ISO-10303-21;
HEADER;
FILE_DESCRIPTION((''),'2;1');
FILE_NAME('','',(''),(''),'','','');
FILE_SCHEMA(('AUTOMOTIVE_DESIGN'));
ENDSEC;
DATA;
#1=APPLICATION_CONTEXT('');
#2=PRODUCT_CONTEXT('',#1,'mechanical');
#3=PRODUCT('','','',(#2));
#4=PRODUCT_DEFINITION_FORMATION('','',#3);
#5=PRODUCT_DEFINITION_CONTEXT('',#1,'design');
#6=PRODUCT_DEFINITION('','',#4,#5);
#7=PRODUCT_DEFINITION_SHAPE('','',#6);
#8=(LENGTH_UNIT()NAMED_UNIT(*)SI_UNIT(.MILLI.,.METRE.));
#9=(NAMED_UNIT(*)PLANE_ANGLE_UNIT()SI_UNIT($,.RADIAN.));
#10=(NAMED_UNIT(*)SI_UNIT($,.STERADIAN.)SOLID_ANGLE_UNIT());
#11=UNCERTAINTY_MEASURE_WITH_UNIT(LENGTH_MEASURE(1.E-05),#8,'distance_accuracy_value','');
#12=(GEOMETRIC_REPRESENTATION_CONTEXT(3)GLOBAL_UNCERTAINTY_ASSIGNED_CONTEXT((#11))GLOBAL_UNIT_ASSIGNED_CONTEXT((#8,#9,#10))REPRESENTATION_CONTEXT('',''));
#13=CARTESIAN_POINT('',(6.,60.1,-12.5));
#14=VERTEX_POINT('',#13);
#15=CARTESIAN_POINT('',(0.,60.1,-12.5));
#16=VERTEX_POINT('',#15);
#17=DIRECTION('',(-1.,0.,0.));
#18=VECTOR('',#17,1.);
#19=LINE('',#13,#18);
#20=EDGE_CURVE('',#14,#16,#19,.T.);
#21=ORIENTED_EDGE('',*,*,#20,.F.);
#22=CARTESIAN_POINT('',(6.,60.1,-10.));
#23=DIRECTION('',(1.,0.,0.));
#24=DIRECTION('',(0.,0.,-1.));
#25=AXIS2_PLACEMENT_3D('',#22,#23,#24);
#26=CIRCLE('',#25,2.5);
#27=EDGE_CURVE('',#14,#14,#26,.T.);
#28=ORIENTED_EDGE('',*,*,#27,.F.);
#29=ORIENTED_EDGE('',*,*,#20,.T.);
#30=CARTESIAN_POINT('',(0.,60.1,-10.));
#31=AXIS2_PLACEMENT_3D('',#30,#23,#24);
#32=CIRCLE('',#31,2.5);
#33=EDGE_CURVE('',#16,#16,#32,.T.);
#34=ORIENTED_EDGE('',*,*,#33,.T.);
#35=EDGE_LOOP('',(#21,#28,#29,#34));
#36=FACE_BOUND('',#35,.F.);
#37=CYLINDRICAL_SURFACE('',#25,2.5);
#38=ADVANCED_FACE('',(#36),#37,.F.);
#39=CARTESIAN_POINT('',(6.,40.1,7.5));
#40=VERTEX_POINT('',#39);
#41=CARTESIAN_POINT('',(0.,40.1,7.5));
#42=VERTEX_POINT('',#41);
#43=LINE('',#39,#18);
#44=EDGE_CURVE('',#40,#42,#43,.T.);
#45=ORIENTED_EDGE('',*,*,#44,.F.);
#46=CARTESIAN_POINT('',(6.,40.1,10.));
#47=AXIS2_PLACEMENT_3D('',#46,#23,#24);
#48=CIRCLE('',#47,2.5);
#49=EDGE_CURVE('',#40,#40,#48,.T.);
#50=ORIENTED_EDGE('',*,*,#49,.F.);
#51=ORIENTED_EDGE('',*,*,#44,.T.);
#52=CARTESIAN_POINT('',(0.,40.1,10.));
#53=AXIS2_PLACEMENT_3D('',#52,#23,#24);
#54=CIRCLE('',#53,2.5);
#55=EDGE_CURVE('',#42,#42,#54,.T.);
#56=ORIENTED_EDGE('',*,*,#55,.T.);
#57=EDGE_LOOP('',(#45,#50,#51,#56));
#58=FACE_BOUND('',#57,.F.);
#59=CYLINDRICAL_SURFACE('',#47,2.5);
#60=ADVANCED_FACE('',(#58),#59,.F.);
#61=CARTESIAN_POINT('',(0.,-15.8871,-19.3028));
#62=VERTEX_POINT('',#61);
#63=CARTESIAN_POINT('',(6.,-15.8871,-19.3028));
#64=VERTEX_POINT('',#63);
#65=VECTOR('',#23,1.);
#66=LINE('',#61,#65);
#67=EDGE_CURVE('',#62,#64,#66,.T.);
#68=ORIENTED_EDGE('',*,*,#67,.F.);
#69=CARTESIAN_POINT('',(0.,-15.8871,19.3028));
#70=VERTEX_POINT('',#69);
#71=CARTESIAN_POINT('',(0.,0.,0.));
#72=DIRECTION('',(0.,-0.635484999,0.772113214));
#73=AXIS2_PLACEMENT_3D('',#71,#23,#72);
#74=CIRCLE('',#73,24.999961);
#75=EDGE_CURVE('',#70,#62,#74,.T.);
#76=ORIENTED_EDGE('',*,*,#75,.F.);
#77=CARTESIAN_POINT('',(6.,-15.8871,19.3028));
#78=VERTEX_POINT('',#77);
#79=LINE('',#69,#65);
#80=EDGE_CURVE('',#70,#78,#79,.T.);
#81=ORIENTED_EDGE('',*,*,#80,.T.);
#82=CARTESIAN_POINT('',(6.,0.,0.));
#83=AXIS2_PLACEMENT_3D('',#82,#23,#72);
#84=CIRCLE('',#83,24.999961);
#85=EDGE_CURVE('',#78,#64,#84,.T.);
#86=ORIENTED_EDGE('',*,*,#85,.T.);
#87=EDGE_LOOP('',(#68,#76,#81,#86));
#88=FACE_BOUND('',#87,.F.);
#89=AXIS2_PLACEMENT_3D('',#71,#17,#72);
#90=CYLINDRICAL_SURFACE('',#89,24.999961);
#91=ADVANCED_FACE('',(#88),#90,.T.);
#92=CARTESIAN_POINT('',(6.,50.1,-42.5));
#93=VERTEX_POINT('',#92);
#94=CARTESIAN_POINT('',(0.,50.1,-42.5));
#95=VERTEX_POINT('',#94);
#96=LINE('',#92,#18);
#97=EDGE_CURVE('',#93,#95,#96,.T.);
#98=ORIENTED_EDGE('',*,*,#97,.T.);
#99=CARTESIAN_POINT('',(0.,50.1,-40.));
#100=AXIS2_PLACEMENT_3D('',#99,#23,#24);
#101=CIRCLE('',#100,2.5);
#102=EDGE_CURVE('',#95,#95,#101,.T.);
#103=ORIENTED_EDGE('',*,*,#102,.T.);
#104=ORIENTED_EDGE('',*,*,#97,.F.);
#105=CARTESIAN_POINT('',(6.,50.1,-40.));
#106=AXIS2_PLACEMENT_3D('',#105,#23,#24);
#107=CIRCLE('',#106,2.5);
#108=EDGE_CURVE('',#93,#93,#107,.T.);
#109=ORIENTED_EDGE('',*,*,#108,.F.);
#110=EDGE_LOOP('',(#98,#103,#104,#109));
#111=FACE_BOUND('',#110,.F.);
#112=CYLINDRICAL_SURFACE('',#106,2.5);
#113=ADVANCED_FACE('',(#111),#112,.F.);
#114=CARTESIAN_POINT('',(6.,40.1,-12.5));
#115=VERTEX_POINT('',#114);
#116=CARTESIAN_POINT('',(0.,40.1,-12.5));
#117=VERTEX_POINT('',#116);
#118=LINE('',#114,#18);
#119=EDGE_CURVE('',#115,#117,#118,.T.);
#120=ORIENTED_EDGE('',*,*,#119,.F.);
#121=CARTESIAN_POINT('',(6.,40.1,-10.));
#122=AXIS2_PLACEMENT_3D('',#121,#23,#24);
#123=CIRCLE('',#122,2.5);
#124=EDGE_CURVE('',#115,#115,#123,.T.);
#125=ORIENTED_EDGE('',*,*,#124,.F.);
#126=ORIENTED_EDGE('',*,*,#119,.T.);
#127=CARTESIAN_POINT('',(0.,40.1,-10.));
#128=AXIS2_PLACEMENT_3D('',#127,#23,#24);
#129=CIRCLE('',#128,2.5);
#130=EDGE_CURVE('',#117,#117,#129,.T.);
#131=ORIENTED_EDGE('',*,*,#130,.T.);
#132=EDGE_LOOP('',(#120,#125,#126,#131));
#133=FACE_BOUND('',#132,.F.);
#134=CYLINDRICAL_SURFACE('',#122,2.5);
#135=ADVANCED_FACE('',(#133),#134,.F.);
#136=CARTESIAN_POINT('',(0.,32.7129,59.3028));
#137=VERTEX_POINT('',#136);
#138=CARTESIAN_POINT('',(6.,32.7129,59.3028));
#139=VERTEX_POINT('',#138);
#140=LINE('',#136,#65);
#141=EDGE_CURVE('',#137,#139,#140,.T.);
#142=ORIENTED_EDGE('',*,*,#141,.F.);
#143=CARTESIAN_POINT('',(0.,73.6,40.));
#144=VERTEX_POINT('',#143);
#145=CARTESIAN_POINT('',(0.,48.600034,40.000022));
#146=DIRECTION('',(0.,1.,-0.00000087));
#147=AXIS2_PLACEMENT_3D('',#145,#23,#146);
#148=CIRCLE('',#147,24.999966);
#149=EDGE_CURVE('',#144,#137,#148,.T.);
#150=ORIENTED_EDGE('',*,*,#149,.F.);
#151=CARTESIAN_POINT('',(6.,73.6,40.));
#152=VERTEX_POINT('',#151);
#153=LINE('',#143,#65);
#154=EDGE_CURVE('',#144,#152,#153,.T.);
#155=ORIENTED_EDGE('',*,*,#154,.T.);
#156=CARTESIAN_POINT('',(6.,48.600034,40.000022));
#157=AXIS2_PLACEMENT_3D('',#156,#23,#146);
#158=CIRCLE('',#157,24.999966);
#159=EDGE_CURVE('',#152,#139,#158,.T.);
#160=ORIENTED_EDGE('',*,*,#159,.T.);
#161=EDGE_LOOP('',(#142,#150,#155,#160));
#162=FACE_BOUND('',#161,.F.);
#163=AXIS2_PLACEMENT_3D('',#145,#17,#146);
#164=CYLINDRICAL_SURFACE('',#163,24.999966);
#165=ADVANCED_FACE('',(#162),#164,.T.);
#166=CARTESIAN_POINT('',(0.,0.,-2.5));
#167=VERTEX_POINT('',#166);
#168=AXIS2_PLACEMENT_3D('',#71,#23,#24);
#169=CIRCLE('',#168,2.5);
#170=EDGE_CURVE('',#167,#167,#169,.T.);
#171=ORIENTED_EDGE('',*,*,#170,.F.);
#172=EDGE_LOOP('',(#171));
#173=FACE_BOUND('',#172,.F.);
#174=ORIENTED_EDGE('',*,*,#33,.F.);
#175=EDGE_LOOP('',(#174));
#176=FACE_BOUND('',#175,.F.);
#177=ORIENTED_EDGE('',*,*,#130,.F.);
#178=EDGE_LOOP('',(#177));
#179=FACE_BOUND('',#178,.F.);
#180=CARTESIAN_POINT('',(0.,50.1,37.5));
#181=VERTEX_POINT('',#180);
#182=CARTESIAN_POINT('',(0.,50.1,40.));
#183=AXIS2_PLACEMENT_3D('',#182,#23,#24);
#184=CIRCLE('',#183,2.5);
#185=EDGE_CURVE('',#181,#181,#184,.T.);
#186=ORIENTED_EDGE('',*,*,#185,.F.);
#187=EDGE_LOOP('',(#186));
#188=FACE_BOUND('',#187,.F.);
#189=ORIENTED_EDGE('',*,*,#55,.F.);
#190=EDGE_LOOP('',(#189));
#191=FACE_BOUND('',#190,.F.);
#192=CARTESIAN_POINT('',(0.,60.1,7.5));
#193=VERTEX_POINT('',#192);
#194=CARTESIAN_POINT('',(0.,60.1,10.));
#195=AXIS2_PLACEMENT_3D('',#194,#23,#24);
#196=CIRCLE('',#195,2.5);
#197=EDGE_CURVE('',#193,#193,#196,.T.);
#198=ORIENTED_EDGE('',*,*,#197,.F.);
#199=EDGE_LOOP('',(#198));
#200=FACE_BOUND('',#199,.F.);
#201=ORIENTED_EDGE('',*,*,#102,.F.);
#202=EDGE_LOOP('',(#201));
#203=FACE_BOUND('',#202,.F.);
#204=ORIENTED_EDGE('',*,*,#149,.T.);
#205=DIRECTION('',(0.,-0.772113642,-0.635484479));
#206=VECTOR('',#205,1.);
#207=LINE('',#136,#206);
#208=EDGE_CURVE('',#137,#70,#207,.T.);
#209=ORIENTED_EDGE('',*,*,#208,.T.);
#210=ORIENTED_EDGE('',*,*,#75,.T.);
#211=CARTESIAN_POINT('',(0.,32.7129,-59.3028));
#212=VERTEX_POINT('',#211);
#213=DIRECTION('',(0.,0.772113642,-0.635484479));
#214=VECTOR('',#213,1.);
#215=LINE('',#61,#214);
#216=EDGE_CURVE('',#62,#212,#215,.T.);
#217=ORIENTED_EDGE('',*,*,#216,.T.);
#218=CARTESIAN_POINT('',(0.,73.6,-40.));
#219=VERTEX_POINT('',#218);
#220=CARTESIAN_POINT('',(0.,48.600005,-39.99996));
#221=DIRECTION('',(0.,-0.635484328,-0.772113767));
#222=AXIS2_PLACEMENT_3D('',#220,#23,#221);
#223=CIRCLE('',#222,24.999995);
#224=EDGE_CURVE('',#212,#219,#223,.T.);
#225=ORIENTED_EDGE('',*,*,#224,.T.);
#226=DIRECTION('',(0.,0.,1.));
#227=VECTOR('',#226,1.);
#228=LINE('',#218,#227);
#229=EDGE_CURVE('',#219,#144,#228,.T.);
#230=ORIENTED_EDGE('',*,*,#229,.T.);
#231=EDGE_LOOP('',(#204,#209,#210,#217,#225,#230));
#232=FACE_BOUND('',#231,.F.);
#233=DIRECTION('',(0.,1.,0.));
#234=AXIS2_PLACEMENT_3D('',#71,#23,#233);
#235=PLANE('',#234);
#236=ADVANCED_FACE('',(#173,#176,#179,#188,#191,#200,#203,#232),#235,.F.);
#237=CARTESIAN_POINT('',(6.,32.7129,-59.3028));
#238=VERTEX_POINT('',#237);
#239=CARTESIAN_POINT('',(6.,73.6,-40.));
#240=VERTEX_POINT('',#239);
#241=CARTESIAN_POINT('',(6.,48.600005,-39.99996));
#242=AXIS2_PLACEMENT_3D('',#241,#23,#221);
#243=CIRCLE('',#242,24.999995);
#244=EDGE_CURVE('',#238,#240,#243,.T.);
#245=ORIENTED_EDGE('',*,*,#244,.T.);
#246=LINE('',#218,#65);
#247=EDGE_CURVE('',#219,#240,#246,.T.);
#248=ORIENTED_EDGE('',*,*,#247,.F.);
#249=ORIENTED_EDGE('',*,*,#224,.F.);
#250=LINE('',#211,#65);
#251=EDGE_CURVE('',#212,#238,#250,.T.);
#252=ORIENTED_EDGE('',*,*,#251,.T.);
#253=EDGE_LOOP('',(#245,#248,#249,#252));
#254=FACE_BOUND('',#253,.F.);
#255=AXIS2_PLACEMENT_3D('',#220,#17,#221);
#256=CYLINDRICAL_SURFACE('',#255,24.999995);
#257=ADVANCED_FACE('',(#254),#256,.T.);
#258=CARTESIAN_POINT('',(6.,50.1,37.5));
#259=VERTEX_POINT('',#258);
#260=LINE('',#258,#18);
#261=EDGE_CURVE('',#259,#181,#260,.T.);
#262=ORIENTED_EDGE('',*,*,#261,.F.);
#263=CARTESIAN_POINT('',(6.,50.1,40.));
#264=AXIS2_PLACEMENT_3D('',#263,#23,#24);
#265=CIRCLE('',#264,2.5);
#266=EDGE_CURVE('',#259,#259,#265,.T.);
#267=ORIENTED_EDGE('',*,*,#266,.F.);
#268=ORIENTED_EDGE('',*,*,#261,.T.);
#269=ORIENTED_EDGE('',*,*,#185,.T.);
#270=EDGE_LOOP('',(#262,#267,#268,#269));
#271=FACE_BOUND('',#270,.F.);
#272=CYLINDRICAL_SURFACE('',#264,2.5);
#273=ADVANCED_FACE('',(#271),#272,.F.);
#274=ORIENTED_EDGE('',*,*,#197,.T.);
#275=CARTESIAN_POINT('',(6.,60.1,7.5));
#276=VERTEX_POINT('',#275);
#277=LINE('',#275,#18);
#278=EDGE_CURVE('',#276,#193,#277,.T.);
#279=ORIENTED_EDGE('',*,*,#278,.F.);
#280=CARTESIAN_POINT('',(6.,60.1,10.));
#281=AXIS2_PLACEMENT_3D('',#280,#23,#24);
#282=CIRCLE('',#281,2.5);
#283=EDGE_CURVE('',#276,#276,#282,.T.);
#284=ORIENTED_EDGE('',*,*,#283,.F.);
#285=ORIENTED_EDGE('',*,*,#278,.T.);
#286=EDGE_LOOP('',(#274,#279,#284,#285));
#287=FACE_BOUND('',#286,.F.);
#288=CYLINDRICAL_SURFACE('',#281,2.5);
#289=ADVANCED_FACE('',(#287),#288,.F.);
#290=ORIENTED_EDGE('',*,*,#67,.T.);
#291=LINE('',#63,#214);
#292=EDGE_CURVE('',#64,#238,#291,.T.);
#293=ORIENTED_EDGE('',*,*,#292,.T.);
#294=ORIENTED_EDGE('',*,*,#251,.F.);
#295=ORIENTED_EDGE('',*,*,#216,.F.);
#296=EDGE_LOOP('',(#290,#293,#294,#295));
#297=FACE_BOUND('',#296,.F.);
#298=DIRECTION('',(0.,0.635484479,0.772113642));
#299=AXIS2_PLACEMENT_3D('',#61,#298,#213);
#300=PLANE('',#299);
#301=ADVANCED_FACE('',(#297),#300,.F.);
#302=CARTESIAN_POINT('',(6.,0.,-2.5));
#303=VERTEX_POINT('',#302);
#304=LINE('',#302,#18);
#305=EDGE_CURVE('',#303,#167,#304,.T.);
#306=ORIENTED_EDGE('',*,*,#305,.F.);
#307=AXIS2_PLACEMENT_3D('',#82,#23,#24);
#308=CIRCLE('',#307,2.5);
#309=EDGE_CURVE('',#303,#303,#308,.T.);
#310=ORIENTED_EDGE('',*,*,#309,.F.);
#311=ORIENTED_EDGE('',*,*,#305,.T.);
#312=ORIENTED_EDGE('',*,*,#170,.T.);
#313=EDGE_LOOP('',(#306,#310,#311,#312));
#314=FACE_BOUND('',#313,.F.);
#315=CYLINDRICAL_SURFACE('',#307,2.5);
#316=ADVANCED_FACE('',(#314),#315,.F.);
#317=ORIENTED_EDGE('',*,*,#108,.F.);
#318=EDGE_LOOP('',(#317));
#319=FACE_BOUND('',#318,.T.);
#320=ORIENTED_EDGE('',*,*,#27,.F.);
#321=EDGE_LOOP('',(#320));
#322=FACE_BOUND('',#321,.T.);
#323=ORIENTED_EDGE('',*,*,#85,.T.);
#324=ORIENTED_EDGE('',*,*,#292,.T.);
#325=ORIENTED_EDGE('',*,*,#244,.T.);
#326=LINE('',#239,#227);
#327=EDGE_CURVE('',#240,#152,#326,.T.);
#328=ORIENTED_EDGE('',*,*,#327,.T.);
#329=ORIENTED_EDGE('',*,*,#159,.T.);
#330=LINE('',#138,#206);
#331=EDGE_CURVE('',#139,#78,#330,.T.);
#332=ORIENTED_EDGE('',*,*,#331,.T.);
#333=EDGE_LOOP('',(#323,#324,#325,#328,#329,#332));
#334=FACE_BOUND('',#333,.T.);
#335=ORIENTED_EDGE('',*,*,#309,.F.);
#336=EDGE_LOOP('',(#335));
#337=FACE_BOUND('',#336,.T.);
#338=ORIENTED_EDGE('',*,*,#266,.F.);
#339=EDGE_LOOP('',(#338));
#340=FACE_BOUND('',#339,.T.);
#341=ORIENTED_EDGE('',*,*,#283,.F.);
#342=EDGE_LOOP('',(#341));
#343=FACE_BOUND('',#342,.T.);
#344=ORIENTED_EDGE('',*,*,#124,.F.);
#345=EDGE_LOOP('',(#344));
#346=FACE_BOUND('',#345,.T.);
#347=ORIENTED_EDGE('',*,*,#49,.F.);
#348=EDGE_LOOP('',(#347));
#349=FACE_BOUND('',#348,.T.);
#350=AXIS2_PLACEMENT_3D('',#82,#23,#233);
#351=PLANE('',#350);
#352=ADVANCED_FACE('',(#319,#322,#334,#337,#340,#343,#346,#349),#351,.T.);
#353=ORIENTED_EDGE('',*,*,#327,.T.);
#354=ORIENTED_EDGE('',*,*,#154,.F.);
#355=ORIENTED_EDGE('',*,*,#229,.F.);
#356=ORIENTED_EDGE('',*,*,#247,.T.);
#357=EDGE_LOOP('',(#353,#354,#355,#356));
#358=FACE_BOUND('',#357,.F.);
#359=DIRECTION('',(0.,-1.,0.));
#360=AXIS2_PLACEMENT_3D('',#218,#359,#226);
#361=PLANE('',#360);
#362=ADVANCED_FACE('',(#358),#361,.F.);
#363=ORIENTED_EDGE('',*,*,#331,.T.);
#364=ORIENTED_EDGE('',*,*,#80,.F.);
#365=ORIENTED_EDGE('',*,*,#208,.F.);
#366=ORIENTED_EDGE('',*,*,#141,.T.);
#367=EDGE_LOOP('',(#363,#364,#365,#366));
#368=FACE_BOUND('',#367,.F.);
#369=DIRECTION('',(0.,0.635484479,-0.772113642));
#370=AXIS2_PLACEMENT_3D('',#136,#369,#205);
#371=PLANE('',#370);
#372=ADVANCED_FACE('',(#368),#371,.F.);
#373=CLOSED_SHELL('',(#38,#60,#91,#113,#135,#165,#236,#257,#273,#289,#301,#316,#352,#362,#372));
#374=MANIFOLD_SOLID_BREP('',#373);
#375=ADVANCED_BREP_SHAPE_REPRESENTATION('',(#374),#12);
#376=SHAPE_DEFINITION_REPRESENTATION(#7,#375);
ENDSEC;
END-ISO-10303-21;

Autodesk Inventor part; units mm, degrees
ref_plane "YZ Plane" through (0, 0, 0) normal (1, 0, 0) x (0, 1, 0)
sketch "Sketch1" plane through (0, 0, 0) normal (1, 0, 0) x (0, 1, 0)
  arc A0 (73.6, 40) -> (32.7129, 59.3028) centre (48.6, 40) ccw
  arc A1 (32.7129, -59.3028) -> (73.6, -40) centre (48.6, -40) ccw
  arc A2 (-15.8871, 19.3028) -> (-15.8871, -19.3028) centre (0, 0) ccw
  line L0 (32.7129, 59.3028) -> (-15.8871, 19.3028)
  line L1 (-15.8871, -19.3028) -> (32.7129, -59.3028)
  line L2 (73.6, -40) -> (73.6, 40)
  dimension "d0" = 80
  dimension "d1" = 48.6
  dimension "d2" = 48.6
  dimension "d3" = 40
  dimension "d4" = 50
  dimension "d5" = 50
  dimension "d6" = 50
ref_plane "Work Plane1" through (6, 0, 0) normal (1, 0, 0) x (0, 0, -1)
sketch "Sketch2" plane through (6, 0, 0) normal (1, 0, 0) x (0, 0, -1)
  circle A0 centre (-40, 50.1) radius 2.5
  circle A1 centre (40, 50.1) radius 2.5
  circle A2 centre (0, 0) radius 2.5
  arc A3 (-19.5369, -15.5983) -> (19.5369, -15.5983) centre (0, 0) ccw projected
  line L0 (19.5369, -15.5983) -> (59.5369, 34.5017) projected
  arc A4 (59.5369, 34.5017) -> (40, 75.1) centre (40, 50.1) ccw projected
  line L1 (40, 75.1) -> (-40, 75.1) projected
  arc A5 (-40, 75.1) -> (-59.5369, 34.5017) centre (-40, 50.1) ccw projected
  line L2 (-59.5369, 34.5017) -> (-19.5369, -15.5983) projected
  dimension "d9" = 5
  dimension "d10" = 5
  dimension "d11" = 5
ref_plane "Work Plane2" through (6, 0, 0) normal (1, 0, 0) x (0, 0, -1)
sketch "Sketch3" plane through (6, 0, 0) normal (1, 0, 0) x (0, 0, -1)
  circle A0 centre (40, 50.1) radius 2.5 projected
  circle A1 centre (-40, 50.1) radius 2.5 projected
  circle A2 centre (0, 0) radius 2.5 projected
  arc A3 (-19.5369, -15.5983) -> (19.5369, -15.5983) centre (0, 0) ccw projected
  line L0 (19.5369, -15.5983) -> (59.5369, 34.5017) projected
  arc A4 (59.5369, 34.5017) -> (40, 75.1) centre (40, 50.1) ccw projected
  line L1 (40, 75.1) -> (-40, 75.1) projected
  arc A5 (-40, 75.1) -> (-59.5369, 34.5017) centre (-40, 50.1) ccw projected
  line L2 (-59.5369, 34.5017) -> (-19.5369, -15.5983) projected
  circle A6 centre (-10, 40.1) radius 2.5
  circle A7 centre (10, 40.1) radius 2.5
  circle A8 centre (10, 60.1) radius 2.5
  circle A9 centre (-10, 60.1) radius 2.5
  dimension "d14" = 5
  dimension "d15" = 5
  dimension "d16" = 5
  dimension "d17" = 5
  dimension "d18" = 20
  dimension "d19" = 20
  dimension "d20" = 20
  dimension "d21" = 20
  dimension "d22" = 15
  dimension "d24" = 10
  dimension "d25" = 15
  dimension "d28" = 10
extrude "Extrusion4" add sketch "Sketch1" along normal blind 6
extrude "Extrusion5" cut sketch "Sketch3" against normal up to next contours A6 | A7 | A8 | A9
extrude "Extrusion6" cut sketch "Sketch2" against normal up to next contours A0 | A1 | A2
properties part number "Arm_Base-SquareBar-Rev3" material "Bronze, Cast"
